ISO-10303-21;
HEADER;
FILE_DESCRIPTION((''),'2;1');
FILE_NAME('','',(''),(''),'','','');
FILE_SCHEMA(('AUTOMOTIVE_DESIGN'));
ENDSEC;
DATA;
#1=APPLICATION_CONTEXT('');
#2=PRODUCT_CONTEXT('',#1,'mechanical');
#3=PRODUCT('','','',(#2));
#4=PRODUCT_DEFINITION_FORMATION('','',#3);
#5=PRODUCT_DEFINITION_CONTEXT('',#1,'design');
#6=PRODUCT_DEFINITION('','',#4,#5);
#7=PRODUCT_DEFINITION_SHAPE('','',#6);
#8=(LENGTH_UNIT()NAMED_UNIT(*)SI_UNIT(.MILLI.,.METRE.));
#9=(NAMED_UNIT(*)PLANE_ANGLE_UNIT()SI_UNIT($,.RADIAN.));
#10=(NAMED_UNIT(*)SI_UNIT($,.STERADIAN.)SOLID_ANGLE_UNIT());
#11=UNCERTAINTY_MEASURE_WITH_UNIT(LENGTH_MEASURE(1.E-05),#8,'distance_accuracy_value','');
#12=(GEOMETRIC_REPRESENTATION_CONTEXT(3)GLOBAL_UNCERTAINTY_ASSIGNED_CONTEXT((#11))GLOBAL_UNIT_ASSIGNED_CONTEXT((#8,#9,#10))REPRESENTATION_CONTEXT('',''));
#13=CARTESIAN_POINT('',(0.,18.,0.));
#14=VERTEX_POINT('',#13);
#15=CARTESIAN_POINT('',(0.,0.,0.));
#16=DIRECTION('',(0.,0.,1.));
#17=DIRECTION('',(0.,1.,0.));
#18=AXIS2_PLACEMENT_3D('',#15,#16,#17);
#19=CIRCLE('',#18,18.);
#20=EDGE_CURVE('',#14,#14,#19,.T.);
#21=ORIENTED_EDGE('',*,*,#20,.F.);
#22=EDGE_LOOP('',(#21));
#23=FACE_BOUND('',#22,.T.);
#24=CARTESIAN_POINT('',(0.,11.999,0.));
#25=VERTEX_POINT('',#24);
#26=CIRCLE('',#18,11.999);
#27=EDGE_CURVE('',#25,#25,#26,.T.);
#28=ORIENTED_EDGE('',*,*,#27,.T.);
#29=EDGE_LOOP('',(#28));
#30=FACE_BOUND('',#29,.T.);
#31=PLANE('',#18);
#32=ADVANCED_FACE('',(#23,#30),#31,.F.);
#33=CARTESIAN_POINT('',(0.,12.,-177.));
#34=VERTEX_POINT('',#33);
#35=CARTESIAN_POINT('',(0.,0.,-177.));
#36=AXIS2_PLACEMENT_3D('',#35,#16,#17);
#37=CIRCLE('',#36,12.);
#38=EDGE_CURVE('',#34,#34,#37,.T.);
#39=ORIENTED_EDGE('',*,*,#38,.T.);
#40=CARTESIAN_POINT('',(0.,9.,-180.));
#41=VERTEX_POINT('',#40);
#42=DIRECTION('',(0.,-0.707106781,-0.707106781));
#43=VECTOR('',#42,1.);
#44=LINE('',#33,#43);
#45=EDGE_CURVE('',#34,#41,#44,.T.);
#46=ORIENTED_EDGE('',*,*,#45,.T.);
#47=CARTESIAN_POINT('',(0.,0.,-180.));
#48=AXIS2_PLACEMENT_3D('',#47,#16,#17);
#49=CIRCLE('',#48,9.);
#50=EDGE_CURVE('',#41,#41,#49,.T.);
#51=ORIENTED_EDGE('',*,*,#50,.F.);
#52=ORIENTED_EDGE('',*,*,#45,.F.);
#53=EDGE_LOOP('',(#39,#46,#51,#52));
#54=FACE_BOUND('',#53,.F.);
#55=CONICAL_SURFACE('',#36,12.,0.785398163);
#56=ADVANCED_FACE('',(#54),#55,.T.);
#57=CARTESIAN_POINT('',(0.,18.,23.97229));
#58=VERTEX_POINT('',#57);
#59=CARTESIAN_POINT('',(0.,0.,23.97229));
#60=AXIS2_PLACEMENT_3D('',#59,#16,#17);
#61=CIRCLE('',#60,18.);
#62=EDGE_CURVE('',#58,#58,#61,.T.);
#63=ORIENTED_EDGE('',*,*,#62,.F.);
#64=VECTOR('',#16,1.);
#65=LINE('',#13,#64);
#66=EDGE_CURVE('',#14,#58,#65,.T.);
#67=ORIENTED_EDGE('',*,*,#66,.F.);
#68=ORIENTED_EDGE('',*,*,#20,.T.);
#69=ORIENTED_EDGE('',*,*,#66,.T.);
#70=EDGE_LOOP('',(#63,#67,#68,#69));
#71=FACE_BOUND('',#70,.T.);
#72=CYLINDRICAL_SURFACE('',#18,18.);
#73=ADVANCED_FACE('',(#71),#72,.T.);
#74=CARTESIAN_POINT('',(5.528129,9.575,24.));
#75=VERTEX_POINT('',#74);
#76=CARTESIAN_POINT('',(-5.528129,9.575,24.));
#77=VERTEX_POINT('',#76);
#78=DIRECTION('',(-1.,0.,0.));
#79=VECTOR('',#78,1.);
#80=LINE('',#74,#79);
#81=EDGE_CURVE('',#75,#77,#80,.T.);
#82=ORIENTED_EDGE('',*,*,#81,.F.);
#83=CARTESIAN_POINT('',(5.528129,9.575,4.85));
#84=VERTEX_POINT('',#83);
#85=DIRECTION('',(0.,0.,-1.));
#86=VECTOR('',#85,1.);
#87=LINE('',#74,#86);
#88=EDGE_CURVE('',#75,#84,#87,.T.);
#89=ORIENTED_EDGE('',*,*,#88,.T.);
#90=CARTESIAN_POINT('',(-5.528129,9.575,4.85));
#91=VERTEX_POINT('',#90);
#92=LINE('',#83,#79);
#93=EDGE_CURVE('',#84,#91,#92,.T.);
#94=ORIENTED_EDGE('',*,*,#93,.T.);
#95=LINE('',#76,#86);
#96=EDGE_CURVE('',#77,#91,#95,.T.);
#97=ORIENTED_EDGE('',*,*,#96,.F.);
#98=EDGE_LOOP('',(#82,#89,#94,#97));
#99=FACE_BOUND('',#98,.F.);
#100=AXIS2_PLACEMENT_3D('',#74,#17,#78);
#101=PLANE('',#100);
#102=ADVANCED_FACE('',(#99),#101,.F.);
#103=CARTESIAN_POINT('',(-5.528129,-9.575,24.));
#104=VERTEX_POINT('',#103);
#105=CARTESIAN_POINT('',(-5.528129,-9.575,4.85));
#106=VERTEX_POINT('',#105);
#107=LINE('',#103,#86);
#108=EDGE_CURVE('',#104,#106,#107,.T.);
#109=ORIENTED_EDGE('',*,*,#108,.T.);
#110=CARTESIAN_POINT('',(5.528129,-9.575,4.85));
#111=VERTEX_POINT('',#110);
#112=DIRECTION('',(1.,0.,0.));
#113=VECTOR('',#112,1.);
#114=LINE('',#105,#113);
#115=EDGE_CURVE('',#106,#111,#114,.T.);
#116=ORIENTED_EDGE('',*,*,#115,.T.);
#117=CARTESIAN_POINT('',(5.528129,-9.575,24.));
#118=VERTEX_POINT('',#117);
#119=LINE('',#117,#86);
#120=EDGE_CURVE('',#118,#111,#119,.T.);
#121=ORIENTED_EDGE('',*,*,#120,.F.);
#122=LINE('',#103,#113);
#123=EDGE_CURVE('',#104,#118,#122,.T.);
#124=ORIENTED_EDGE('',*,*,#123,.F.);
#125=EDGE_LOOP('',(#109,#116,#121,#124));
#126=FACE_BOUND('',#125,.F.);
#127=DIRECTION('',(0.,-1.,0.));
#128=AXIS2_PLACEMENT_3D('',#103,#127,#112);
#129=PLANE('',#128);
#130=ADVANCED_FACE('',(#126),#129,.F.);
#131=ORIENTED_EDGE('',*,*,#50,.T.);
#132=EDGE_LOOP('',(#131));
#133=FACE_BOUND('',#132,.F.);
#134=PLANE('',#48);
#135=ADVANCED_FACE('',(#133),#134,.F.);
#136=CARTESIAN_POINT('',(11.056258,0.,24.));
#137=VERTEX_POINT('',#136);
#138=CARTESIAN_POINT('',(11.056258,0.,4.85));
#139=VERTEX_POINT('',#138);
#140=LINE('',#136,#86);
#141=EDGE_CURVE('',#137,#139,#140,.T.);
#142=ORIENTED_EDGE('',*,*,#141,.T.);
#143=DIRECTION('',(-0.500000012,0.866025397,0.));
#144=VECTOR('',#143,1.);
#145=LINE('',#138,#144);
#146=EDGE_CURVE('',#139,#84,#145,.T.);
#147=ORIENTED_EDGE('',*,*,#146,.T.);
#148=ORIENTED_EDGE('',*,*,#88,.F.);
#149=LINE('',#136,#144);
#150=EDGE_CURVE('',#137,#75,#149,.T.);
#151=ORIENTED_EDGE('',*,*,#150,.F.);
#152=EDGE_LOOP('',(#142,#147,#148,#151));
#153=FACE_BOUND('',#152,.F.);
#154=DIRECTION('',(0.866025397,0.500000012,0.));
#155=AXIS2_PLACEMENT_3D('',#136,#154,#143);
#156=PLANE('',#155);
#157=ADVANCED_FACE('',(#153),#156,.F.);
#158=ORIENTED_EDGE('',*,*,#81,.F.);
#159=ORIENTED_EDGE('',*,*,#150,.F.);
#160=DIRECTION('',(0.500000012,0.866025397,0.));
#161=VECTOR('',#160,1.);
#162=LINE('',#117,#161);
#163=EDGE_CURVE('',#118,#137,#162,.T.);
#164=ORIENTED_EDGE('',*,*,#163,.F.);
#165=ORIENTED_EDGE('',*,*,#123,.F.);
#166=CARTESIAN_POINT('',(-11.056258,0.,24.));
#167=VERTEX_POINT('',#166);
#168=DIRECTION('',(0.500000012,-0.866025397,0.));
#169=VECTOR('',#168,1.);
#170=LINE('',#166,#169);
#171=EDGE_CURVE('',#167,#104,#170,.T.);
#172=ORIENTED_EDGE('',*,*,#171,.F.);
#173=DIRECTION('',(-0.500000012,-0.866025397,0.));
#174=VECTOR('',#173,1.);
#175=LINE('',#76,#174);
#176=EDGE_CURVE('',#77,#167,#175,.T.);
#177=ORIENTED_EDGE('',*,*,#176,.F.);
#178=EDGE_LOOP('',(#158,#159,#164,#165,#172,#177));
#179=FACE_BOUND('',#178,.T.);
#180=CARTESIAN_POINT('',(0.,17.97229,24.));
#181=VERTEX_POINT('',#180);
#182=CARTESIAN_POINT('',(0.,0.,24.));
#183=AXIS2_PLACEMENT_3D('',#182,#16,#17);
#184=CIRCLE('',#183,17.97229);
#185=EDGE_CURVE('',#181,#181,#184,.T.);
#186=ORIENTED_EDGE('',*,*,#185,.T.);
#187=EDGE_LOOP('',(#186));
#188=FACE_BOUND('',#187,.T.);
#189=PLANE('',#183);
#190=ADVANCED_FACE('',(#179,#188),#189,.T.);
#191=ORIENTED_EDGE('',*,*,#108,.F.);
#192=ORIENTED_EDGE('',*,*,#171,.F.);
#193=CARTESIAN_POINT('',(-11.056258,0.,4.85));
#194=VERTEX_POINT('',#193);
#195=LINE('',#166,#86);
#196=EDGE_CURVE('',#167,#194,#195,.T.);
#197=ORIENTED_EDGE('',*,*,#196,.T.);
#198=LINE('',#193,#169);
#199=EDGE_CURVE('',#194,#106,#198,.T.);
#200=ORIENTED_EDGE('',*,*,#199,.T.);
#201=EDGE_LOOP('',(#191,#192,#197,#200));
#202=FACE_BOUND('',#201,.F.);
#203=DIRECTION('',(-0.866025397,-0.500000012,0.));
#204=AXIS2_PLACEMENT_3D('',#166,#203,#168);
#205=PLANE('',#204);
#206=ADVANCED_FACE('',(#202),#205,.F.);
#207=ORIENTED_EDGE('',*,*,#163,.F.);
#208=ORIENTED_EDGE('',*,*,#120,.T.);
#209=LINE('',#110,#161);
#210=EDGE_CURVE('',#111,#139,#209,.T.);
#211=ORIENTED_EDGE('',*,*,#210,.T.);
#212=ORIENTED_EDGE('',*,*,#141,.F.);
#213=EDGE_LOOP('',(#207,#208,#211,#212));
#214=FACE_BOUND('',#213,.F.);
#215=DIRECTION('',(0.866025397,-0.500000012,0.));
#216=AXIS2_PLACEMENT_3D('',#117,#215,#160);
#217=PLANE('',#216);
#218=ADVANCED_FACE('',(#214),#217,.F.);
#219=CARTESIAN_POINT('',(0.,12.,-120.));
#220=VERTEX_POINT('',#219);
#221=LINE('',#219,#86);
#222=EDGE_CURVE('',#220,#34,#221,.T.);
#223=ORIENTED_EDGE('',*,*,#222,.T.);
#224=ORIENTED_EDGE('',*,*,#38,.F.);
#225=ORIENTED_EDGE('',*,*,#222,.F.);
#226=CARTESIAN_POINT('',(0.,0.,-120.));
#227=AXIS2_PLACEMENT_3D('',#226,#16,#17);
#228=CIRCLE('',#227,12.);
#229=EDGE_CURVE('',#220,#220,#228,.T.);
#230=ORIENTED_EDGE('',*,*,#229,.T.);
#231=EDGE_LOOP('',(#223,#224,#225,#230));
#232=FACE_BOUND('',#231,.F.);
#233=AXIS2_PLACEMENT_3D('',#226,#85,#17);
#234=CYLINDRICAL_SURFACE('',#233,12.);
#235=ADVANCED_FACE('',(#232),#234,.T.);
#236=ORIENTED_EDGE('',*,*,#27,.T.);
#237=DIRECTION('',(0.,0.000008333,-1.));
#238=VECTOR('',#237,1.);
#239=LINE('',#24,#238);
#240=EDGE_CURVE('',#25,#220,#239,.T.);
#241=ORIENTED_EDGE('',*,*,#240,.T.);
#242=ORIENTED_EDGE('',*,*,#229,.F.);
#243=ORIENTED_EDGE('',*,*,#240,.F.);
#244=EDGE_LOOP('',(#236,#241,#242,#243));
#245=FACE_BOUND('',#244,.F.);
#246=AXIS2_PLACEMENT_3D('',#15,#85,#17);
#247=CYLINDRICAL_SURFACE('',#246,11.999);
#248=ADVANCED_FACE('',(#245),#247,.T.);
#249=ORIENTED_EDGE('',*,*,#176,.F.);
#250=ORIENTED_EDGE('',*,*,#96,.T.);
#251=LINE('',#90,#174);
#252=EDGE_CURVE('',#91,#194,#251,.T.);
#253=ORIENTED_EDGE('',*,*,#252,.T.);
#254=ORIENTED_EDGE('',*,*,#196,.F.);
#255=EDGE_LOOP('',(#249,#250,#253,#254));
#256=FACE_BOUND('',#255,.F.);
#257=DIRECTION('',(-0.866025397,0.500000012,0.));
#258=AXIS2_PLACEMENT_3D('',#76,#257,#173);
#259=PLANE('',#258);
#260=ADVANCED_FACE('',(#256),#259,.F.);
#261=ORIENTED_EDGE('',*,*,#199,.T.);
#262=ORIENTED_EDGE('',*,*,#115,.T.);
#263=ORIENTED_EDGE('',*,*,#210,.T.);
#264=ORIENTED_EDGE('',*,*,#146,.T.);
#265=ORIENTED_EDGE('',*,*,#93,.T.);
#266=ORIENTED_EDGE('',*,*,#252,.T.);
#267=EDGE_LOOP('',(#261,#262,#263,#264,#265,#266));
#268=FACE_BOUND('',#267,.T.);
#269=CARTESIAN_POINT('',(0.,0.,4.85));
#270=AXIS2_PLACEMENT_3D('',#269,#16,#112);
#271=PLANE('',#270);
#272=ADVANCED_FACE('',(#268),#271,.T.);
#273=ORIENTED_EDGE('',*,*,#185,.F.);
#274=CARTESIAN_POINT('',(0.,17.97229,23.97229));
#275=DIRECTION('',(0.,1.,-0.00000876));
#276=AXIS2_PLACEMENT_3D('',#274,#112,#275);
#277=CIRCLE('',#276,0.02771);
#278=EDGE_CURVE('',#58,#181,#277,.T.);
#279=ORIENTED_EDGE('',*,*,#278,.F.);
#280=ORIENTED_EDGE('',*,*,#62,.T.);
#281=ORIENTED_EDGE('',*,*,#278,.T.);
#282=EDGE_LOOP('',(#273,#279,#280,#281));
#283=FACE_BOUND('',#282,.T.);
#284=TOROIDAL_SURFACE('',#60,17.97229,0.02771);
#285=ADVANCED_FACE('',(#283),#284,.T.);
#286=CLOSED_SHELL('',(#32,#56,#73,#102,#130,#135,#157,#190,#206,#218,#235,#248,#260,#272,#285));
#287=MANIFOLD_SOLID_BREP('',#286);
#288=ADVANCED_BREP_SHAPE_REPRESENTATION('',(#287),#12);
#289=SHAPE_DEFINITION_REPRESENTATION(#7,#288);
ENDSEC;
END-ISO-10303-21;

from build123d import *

# Parameters (mm, degrees)
POCKET_DEPTH = 19.15


with BuildPart() as part:
    # Sketch → Revolve (revolve)
    with BuildSketch(Plane.YZ):
        with BuildLine():
            Line((11.999, 0), (18, 0))
            Line((18, 0), (18, 23.97229))
            ThreePointArc((18, 23.97229), (17.991884, 23.991884), (17.97229, 24))
            Line((17.97229, 24), (0, 24))
            Line((0, -180), (0, 24))
            Line((9, -180), (0, -180))
            Line((12, -177), (9, -180))
            Line((12, -120), (12, -177))
            Line((11.999, 0), (12, -120))
        make_face()
    revolve(axis=Axis((0, 0, 0), (0, 0, 1)))

    # Sketch001 → Pocket (cut)
    with BuildSketch(Plane.XY.offset(24)):
        Polygon((11.056258, 0), (5.528129, 9.575), (-5.528129, 9.575), (-11.056258, 0), (-5.528129, -9.575), (5.528129, -9.575), align=None)
    extrude(amount=-POCKET_DEPTH, mode=Mode.SUBTRACT)


solid = part.part
